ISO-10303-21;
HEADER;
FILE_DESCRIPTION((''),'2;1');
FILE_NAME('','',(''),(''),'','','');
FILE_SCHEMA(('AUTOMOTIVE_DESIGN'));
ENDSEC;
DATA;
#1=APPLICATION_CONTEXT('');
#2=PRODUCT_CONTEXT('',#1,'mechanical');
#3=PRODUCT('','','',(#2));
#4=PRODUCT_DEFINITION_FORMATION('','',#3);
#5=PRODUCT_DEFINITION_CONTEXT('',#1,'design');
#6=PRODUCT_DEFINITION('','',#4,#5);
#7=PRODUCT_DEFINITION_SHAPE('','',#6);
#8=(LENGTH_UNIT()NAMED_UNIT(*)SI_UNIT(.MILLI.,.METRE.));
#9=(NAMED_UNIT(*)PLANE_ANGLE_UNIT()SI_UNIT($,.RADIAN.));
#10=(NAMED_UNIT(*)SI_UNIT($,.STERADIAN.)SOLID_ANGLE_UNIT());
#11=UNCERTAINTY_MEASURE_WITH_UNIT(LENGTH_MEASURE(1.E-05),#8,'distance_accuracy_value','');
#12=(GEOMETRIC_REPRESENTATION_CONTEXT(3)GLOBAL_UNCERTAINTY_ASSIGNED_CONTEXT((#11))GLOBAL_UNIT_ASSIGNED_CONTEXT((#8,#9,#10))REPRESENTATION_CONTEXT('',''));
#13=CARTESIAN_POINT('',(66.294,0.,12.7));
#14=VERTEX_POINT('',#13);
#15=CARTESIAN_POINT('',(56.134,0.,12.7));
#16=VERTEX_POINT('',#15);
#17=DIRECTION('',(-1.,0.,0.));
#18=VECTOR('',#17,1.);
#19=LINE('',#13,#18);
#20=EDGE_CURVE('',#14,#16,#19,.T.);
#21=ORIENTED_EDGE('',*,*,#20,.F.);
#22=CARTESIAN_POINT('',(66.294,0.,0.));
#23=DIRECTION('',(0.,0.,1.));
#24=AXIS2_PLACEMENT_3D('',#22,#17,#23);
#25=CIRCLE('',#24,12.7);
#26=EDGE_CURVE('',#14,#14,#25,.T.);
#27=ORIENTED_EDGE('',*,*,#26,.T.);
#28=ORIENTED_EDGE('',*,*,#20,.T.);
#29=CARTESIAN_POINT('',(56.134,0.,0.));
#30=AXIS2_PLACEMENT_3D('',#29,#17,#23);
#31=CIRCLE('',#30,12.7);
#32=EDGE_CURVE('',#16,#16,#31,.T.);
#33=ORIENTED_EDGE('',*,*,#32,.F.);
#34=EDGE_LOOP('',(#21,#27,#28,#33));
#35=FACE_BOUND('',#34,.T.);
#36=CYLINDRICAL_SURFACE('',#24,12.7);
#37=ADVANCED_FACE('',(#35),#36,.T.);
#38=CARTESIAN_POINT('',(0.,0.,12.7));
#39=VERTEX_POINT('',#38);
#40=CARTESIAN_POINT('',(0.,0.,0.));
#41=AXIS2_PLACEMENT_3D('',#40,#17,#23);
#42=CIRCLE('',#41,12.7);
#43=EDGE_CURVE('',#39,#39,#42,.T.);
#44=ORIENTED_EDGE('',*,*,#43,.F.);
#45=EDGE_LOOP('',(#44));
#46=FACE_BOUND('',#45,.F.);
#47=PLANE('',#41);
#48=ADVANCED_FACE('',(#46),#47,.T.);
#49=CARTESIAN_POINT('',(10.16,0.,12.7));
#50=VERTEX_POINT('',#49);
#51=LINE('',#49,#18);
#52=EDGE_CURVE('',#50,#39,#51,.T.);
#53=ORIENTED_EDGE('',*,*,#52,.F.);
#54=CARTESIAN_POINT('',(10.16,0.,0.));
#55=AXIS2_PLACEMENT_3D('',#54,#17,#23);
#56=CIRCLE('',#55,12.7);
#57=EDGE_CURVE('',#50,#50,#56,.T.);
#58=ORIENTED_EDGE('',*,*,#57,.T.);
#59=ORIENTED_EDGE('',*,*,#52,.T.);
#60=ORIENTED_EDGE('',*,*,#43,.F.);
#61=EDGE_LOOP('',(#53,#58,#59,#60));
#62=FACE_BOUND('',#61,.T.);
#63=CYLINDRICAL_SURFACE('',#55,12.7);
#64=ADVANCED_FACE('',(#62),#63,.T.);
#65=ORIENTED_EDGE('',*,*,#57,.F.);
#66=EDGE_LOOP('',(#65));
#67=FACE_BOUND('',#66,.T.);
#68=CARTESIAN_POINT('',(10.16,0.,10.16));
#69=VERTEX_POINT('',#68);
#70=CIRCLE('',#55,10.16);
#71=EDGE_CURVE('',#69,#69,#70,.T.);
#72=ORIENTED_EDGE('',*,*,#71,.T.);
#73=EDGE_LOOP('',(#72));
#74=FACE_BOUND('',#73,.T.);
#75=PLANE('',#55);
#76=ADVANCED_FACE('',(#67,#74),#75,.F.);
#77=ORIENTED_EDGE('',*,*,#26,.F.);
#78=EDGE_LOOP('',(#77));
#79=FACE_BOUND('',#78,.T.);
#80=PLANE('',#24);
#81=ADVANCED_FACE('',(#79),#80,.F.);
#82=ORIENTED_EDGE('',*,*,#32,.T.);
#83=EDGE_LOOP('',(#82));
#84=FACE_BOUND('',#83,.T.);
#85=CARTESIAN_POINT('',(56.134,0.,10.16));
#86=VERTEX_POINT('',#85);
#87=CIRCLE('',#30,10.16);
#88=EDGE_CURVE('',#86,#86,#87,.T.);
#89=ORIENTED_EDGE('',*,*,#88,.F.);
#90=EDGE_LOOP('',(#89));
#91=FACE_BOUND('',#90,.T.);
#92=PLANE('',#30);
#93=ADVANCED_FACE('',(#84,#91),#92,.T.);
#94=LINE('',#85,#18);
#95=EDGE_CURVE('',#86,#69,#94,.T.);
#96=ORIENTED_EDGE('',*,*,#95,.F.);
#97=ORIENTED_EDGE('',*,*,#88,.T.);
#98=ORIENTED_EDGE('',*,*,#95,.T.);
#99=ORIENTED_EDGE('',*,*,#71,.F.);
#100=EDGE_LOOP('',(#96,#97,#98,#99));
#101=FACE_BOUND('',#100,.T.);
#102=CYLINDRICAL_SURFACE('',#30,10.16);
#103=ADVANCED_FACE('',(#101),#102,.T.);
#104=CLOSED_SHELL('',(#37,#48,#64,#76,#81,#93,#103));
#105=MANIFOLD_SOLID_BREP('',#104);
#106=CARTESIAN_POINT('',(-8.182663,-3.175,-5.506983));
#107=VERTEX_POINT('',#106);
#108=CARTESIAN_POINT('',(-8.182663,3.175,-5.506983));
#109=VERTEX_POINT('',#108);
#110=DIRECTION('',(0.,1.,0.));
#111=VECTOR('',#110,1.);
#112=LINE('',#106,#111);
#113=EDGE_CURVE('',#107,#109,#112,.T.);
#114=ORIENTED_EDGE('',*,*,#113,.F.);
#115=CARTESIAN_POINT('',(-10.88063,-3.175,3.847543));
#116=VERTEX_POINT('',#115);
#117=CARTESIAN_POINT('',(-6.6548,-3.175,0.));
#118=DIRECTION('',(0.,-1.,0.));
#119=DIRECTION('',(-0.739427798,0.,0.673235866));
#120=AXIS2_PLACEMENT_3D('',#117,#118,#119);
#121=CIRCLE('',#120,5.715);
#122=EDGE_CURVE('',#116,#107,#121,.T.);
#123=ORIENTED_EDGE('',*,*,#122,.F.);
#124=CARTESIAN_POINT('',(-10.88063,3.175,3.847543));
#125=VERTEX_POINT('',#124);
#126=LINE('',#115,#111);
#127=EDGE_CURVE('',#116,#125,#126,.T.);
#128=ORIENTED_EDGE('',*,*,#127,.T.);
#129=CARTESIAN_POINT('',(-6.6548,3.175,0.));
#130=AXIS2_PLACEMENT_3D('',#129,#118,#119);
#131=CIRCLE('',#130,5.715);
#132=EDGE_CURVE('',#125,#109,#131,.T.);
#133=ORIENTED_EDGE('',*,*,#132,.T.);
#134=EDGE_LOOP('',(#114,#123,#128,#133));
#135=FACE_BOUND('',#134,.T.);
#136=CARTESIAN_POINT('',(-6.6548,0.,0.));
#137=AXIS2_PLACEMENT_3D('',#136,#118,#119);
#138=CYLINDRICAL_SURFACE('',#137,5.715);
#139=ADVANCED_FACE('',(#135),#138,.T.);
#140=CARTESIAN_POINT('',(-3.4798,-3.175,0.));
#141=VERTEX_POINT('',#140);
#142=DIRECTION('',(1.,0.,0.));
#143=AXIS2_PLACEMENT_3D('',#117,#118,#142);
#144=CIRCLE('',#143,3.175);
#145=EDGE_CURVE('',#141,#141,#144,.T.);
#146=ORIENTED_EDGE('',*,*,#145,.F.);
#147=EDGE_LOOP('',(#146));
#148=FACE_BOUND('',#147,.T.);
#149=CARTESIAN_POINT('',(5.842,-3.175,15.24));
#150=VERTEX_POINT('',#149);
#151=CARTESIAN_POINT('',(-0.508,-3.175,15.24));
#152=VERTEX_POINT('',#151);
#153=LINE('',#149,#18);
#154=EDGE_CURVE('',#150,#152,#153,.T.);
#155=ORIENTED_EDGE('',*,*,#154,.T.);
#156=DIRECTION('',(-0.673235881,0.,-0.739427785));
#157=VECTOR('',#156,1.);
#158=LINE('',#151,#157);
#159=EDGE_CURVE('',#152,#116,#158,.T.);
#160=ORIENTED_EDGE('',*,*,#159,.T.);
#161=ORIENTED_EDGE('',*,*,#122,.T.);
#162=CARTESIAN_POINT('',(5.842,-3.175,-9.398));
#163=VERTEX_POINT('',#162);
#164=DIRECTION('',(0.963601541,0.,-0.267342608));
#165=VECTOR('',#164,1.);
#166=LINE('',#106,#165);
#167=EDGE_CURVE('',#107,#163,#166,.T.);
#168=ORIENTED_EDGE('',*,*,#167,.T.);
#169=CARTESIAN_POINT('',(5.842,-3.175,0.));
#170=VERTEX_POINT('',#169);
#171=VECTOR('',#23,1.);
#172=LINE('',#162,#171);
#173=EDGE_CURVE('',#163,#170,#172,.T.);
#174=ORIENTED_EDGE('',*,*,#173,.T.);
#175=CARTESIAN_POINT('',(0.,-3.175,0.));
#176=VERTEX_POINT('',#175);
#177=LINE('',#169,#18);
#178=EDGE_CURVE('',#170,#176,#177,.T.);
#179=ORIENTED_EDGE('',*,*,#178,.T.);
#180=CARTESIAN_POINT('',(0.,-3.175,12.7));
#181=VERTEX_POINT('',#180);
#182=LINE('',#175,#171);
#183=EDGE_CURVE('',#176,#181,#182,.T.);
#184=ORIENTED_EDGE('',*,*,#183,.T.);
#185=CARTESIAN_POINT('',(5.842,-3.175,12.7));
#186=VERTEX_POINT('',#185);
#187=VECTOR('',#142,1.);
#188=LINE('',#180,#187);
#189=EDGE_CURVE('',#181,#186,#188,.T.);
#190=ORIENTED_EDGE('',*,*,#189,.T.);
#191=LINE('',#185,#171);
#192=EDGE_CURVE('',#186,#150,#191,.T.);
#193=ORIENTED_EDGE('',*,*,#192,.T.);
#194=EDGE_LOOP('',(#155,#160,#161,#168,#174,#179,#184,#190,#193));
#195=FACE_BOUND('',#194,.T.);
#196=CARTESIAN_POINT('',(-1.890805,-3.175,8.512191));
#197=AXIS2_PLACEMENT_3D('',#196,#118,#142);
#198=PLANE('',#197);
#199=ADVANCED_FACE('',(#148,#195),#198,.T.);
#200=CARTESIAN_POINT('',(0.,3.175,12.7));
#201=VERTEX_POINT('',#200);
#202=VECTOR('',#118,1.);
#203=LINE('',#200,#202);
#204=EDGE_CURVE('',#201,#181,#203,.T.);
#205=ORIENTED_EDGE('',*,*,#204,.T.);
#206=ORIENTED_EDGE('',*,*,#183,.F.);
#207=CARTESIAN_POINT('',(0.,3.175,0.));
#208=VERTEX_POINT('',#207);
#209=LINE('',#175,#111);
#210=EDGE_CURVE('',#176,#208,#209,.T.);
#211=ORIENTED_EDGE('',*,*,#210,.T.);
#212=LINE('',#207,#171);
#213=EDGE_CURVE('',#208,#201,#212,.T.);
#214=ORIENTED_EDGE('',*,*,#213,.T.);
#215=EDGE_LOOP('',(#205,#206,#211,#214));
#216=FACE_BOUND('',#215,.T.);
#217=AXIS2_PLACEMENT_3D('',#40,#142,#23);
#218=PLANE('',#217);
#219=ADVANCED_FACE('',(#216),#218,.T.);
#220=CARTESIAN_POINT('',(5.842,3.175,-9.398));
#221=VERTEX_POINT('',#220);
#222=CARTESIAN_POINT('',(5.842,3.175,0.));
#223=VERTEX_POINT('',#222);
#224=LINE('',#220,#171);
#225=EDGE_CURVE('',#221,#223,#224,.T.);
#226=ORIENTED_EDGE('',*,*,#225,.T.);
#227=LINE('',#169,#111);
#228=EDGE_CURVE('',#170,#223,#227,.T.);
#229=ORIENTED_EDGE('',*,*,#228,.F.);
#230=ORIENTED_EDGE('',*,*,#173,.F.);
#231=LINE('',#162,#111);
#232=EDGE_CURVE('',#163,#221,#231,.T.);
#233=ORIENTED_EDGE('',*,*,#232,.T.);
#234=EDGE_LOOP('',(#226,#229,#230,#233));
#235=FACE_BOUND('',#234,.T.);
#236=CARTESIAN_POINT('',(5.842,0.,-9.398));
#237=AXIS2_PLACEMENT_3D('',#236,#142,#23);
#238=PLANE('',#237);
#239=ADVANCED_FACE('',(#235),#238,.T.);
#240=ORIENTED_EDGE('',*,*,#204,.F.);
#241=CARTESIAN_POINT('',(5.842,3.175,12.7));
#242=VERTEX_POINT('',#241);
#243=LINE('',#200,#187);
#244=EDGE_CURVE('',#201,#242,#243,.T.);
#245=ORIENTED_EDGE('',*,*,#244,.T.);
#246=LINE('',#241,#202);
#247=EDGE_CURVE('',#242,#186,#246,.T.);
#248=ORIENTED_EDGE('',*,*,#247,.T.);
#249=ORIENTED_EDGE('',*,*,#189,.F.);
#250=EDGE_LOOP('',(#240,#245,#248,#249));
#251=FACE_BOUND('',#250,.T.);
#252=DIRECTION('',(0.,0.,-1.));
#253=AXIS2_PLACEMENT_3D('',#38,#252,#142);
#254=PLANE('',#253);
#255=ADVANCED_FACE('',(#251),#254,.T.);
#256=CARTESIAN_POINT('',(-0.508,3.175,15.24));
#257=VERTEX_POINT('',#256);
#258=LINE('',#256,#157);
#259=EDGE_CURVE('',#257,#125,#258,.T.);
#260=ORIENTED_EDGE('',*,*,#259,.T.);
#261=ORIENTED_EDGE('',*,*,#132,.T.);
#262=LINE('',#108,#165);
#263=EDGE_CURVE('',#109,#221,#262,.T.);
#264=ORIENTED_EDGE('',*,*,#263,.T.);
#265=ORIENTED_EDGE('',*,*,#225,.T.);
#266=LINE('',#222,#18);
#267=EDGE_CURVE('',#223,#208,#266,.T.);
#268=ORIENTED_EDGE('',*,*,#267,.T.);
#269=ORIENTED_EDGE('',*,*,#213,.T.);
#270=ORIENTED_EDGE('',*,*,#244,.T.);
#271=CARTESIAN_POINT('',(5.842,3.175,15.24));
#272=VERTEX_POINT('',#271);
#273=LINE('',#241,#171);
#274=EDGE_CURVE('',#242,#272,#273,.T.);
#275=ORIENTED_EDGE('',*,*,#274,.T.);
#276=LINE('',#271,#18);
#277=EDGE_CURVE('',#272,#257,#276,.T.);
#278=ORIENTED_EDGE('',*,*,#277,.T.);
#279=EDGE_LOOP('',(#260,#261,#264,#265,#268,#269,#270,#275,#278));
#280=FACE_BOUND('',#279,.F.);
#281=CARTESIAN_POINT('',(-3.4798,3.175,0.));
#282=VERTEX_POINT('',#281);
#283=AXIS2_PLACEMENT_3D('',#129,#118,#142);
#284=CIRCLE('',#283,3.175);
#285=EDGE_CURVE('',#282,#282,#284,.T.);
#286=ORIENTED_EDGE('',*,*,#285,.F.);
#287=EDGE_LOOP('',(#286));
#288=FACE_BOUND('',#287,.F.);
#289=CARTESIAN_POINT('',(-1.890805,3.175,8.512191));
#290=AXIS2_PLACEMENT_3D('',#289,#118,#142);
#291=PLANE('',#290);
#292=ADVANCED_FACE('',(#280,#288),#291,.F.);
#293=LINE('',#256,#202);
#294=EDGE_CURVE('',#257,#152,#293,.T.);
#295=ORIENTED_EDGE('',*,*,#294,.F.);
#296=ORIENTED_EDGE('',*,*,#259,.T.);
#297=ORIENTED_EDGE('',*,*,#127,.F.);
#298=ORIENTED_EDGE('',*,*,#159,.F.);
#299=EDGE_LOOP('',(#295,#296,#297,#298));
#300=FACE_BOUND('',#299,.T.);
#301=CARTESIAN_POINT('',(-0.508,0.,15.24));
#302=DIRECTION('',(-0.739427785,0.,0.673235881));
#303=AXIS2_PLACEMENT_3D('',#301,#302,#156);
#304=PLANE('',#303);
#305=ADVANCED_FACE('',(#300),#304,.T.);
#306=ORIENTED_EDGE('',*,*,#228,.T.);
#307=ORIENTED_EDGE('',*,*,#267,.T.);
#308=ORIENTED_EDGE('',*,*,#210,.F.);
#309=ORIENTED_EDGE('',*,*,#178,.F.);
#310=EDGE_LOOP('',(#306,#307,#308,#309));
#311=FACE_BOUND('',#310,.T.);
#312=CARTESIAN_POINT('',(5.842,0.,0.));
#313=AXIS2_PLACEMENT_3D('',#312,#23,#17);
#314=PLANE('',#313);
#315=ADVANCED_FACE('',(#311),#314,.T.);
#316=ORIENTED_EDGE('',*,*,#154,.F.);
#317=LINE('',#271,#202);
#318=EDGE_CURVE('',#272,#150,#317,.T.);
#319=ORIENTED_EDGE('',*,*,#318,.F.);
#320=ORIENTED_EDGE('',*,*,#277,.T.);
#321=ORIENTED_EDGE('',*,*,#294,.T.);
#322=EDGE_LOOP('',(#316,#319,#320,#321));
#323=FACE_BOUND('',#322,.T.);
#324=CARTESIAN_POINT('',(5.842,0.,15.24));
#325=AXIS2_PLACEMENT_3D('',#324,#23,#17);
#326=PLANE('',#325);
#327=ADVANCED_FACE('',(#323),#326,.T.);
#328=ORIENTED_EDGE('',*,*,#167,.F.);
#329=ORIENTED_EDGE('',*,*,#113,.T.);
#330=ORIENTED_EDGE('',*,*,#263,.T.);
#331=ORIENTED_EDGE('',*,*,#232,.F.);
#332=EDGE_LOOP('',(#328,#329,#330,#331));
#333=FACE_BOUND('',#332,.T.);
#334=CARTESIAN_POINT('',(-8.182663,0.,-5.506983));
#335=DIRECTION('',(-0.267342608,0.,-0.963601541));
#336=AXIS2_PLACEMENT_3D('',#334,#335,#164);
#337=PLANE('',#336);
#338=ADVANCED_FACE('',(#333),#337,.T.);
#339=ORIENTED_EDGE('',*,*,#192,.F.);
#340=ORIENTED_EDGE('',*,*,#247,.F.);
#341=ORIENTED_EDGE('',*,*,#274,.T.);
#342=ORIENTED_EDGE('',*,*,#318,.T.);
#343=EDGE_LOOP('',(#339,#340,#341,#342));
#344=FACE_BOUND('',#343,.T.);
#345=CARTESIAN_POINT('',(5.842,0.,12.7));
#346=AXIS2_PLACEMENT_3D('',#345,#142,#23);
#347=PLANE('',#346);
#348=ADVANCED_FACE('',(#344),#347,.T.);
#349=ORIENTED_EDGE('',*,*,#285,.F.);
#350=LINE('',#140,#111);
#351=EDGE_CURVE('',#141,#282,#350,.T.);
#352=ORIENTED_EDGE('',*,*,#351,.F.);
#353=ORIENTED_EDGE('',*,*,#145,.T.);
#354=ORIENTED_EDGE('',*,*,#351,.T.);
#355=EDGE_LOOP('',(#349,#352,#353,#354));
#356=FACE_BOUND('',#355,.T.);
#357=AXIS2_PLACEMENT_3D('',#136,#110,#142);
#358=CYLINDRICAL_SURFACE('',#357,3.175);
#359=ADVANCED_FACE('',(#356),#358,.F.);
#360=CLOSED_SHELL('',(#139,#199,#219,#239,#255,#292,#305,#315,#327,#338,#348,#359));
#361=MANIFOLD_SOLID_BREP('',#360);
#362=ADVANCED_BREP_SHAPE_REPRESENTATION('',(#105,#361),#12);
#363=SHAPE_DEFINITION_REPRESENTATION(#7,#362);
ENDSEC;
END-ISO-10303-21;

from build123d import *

# Parameters (mm, degrees)
F0_W     = 5.842
F0_H     = 12.7
F0_R     = 3.175
F2_DEPTH = 3.175


with BuildPart() as f1:
    # F0 (on Front) → F1 (revolve)
    with BuildSketch(Plane.XZ):
        with Locations((2.921, 6.35)):
            Rectangle(F0_W, F0_H)
        Polygon((5.842, 12.7), (5.842, 0), (66.294, 0), (66.294, 12.7), (56.134, 12.7), (56.134, 10.16), (10.16, 10.16), (10.16, 12.7), align=None)
    revolve(axis=Axis((33.147, 0, 0), (-1, 0, 0)))


with BuildPart() as f2:
    # F0 (on Front) → F2 (new body, symmetric)
    with BuildSketch(Plane.XZ):
        with BuildLine():
            Line((-0.9398, 0), (0, 0))
            Line((0, 0), (0, 12.7))
            Line((0, 12.7), (5.842, 12.7))
            Line((5.842, 12.7), (5.842, 15.24))
            Line((5.842, 15.24), (-0.508, 15.24))
            Line((-0.508, 15.24), (-10.88063, 3.847543))
            ThreePointArc((-10.88063, 3.847543), (-4.591961, 5.329721), (-0.9398, 0))
        make_face()
        with BuildLine():
            Line((5.842, 0), (0, 0))
            Line((0, 0), (-0.9398, 0))
            ThreePointArc((-0.9398, 0), (-3.195791, -4.549339), (-8.182663, -5.506983))
            Line((-8.182663, -5.506983), (5.842, -9.398))
            Line((5.842, -9.398), (5.842, 0))
        make_face()
        with BuildLine():
            ThreePointArc((-8.182663, -5.506983), (-3.195791, -4.549339), (-0.9398, 0))
            ThreePointArc((-0.9398, 0), (-4.591961, 5.329721), (-10.88063, 3.847543))
            ThreePointArc((-10.88063, 3.847543), (-12.145978, -1.583727), (-8.182663, -5.506983))
        make_face()
        with Locations((-6.6548, 0)):
            Circle(F0_R, mode=Mode.SUBTRACT)
    extrude(amount=F2_DEPTH, both=True)


solid = Compound([f1.part, f2.part])
